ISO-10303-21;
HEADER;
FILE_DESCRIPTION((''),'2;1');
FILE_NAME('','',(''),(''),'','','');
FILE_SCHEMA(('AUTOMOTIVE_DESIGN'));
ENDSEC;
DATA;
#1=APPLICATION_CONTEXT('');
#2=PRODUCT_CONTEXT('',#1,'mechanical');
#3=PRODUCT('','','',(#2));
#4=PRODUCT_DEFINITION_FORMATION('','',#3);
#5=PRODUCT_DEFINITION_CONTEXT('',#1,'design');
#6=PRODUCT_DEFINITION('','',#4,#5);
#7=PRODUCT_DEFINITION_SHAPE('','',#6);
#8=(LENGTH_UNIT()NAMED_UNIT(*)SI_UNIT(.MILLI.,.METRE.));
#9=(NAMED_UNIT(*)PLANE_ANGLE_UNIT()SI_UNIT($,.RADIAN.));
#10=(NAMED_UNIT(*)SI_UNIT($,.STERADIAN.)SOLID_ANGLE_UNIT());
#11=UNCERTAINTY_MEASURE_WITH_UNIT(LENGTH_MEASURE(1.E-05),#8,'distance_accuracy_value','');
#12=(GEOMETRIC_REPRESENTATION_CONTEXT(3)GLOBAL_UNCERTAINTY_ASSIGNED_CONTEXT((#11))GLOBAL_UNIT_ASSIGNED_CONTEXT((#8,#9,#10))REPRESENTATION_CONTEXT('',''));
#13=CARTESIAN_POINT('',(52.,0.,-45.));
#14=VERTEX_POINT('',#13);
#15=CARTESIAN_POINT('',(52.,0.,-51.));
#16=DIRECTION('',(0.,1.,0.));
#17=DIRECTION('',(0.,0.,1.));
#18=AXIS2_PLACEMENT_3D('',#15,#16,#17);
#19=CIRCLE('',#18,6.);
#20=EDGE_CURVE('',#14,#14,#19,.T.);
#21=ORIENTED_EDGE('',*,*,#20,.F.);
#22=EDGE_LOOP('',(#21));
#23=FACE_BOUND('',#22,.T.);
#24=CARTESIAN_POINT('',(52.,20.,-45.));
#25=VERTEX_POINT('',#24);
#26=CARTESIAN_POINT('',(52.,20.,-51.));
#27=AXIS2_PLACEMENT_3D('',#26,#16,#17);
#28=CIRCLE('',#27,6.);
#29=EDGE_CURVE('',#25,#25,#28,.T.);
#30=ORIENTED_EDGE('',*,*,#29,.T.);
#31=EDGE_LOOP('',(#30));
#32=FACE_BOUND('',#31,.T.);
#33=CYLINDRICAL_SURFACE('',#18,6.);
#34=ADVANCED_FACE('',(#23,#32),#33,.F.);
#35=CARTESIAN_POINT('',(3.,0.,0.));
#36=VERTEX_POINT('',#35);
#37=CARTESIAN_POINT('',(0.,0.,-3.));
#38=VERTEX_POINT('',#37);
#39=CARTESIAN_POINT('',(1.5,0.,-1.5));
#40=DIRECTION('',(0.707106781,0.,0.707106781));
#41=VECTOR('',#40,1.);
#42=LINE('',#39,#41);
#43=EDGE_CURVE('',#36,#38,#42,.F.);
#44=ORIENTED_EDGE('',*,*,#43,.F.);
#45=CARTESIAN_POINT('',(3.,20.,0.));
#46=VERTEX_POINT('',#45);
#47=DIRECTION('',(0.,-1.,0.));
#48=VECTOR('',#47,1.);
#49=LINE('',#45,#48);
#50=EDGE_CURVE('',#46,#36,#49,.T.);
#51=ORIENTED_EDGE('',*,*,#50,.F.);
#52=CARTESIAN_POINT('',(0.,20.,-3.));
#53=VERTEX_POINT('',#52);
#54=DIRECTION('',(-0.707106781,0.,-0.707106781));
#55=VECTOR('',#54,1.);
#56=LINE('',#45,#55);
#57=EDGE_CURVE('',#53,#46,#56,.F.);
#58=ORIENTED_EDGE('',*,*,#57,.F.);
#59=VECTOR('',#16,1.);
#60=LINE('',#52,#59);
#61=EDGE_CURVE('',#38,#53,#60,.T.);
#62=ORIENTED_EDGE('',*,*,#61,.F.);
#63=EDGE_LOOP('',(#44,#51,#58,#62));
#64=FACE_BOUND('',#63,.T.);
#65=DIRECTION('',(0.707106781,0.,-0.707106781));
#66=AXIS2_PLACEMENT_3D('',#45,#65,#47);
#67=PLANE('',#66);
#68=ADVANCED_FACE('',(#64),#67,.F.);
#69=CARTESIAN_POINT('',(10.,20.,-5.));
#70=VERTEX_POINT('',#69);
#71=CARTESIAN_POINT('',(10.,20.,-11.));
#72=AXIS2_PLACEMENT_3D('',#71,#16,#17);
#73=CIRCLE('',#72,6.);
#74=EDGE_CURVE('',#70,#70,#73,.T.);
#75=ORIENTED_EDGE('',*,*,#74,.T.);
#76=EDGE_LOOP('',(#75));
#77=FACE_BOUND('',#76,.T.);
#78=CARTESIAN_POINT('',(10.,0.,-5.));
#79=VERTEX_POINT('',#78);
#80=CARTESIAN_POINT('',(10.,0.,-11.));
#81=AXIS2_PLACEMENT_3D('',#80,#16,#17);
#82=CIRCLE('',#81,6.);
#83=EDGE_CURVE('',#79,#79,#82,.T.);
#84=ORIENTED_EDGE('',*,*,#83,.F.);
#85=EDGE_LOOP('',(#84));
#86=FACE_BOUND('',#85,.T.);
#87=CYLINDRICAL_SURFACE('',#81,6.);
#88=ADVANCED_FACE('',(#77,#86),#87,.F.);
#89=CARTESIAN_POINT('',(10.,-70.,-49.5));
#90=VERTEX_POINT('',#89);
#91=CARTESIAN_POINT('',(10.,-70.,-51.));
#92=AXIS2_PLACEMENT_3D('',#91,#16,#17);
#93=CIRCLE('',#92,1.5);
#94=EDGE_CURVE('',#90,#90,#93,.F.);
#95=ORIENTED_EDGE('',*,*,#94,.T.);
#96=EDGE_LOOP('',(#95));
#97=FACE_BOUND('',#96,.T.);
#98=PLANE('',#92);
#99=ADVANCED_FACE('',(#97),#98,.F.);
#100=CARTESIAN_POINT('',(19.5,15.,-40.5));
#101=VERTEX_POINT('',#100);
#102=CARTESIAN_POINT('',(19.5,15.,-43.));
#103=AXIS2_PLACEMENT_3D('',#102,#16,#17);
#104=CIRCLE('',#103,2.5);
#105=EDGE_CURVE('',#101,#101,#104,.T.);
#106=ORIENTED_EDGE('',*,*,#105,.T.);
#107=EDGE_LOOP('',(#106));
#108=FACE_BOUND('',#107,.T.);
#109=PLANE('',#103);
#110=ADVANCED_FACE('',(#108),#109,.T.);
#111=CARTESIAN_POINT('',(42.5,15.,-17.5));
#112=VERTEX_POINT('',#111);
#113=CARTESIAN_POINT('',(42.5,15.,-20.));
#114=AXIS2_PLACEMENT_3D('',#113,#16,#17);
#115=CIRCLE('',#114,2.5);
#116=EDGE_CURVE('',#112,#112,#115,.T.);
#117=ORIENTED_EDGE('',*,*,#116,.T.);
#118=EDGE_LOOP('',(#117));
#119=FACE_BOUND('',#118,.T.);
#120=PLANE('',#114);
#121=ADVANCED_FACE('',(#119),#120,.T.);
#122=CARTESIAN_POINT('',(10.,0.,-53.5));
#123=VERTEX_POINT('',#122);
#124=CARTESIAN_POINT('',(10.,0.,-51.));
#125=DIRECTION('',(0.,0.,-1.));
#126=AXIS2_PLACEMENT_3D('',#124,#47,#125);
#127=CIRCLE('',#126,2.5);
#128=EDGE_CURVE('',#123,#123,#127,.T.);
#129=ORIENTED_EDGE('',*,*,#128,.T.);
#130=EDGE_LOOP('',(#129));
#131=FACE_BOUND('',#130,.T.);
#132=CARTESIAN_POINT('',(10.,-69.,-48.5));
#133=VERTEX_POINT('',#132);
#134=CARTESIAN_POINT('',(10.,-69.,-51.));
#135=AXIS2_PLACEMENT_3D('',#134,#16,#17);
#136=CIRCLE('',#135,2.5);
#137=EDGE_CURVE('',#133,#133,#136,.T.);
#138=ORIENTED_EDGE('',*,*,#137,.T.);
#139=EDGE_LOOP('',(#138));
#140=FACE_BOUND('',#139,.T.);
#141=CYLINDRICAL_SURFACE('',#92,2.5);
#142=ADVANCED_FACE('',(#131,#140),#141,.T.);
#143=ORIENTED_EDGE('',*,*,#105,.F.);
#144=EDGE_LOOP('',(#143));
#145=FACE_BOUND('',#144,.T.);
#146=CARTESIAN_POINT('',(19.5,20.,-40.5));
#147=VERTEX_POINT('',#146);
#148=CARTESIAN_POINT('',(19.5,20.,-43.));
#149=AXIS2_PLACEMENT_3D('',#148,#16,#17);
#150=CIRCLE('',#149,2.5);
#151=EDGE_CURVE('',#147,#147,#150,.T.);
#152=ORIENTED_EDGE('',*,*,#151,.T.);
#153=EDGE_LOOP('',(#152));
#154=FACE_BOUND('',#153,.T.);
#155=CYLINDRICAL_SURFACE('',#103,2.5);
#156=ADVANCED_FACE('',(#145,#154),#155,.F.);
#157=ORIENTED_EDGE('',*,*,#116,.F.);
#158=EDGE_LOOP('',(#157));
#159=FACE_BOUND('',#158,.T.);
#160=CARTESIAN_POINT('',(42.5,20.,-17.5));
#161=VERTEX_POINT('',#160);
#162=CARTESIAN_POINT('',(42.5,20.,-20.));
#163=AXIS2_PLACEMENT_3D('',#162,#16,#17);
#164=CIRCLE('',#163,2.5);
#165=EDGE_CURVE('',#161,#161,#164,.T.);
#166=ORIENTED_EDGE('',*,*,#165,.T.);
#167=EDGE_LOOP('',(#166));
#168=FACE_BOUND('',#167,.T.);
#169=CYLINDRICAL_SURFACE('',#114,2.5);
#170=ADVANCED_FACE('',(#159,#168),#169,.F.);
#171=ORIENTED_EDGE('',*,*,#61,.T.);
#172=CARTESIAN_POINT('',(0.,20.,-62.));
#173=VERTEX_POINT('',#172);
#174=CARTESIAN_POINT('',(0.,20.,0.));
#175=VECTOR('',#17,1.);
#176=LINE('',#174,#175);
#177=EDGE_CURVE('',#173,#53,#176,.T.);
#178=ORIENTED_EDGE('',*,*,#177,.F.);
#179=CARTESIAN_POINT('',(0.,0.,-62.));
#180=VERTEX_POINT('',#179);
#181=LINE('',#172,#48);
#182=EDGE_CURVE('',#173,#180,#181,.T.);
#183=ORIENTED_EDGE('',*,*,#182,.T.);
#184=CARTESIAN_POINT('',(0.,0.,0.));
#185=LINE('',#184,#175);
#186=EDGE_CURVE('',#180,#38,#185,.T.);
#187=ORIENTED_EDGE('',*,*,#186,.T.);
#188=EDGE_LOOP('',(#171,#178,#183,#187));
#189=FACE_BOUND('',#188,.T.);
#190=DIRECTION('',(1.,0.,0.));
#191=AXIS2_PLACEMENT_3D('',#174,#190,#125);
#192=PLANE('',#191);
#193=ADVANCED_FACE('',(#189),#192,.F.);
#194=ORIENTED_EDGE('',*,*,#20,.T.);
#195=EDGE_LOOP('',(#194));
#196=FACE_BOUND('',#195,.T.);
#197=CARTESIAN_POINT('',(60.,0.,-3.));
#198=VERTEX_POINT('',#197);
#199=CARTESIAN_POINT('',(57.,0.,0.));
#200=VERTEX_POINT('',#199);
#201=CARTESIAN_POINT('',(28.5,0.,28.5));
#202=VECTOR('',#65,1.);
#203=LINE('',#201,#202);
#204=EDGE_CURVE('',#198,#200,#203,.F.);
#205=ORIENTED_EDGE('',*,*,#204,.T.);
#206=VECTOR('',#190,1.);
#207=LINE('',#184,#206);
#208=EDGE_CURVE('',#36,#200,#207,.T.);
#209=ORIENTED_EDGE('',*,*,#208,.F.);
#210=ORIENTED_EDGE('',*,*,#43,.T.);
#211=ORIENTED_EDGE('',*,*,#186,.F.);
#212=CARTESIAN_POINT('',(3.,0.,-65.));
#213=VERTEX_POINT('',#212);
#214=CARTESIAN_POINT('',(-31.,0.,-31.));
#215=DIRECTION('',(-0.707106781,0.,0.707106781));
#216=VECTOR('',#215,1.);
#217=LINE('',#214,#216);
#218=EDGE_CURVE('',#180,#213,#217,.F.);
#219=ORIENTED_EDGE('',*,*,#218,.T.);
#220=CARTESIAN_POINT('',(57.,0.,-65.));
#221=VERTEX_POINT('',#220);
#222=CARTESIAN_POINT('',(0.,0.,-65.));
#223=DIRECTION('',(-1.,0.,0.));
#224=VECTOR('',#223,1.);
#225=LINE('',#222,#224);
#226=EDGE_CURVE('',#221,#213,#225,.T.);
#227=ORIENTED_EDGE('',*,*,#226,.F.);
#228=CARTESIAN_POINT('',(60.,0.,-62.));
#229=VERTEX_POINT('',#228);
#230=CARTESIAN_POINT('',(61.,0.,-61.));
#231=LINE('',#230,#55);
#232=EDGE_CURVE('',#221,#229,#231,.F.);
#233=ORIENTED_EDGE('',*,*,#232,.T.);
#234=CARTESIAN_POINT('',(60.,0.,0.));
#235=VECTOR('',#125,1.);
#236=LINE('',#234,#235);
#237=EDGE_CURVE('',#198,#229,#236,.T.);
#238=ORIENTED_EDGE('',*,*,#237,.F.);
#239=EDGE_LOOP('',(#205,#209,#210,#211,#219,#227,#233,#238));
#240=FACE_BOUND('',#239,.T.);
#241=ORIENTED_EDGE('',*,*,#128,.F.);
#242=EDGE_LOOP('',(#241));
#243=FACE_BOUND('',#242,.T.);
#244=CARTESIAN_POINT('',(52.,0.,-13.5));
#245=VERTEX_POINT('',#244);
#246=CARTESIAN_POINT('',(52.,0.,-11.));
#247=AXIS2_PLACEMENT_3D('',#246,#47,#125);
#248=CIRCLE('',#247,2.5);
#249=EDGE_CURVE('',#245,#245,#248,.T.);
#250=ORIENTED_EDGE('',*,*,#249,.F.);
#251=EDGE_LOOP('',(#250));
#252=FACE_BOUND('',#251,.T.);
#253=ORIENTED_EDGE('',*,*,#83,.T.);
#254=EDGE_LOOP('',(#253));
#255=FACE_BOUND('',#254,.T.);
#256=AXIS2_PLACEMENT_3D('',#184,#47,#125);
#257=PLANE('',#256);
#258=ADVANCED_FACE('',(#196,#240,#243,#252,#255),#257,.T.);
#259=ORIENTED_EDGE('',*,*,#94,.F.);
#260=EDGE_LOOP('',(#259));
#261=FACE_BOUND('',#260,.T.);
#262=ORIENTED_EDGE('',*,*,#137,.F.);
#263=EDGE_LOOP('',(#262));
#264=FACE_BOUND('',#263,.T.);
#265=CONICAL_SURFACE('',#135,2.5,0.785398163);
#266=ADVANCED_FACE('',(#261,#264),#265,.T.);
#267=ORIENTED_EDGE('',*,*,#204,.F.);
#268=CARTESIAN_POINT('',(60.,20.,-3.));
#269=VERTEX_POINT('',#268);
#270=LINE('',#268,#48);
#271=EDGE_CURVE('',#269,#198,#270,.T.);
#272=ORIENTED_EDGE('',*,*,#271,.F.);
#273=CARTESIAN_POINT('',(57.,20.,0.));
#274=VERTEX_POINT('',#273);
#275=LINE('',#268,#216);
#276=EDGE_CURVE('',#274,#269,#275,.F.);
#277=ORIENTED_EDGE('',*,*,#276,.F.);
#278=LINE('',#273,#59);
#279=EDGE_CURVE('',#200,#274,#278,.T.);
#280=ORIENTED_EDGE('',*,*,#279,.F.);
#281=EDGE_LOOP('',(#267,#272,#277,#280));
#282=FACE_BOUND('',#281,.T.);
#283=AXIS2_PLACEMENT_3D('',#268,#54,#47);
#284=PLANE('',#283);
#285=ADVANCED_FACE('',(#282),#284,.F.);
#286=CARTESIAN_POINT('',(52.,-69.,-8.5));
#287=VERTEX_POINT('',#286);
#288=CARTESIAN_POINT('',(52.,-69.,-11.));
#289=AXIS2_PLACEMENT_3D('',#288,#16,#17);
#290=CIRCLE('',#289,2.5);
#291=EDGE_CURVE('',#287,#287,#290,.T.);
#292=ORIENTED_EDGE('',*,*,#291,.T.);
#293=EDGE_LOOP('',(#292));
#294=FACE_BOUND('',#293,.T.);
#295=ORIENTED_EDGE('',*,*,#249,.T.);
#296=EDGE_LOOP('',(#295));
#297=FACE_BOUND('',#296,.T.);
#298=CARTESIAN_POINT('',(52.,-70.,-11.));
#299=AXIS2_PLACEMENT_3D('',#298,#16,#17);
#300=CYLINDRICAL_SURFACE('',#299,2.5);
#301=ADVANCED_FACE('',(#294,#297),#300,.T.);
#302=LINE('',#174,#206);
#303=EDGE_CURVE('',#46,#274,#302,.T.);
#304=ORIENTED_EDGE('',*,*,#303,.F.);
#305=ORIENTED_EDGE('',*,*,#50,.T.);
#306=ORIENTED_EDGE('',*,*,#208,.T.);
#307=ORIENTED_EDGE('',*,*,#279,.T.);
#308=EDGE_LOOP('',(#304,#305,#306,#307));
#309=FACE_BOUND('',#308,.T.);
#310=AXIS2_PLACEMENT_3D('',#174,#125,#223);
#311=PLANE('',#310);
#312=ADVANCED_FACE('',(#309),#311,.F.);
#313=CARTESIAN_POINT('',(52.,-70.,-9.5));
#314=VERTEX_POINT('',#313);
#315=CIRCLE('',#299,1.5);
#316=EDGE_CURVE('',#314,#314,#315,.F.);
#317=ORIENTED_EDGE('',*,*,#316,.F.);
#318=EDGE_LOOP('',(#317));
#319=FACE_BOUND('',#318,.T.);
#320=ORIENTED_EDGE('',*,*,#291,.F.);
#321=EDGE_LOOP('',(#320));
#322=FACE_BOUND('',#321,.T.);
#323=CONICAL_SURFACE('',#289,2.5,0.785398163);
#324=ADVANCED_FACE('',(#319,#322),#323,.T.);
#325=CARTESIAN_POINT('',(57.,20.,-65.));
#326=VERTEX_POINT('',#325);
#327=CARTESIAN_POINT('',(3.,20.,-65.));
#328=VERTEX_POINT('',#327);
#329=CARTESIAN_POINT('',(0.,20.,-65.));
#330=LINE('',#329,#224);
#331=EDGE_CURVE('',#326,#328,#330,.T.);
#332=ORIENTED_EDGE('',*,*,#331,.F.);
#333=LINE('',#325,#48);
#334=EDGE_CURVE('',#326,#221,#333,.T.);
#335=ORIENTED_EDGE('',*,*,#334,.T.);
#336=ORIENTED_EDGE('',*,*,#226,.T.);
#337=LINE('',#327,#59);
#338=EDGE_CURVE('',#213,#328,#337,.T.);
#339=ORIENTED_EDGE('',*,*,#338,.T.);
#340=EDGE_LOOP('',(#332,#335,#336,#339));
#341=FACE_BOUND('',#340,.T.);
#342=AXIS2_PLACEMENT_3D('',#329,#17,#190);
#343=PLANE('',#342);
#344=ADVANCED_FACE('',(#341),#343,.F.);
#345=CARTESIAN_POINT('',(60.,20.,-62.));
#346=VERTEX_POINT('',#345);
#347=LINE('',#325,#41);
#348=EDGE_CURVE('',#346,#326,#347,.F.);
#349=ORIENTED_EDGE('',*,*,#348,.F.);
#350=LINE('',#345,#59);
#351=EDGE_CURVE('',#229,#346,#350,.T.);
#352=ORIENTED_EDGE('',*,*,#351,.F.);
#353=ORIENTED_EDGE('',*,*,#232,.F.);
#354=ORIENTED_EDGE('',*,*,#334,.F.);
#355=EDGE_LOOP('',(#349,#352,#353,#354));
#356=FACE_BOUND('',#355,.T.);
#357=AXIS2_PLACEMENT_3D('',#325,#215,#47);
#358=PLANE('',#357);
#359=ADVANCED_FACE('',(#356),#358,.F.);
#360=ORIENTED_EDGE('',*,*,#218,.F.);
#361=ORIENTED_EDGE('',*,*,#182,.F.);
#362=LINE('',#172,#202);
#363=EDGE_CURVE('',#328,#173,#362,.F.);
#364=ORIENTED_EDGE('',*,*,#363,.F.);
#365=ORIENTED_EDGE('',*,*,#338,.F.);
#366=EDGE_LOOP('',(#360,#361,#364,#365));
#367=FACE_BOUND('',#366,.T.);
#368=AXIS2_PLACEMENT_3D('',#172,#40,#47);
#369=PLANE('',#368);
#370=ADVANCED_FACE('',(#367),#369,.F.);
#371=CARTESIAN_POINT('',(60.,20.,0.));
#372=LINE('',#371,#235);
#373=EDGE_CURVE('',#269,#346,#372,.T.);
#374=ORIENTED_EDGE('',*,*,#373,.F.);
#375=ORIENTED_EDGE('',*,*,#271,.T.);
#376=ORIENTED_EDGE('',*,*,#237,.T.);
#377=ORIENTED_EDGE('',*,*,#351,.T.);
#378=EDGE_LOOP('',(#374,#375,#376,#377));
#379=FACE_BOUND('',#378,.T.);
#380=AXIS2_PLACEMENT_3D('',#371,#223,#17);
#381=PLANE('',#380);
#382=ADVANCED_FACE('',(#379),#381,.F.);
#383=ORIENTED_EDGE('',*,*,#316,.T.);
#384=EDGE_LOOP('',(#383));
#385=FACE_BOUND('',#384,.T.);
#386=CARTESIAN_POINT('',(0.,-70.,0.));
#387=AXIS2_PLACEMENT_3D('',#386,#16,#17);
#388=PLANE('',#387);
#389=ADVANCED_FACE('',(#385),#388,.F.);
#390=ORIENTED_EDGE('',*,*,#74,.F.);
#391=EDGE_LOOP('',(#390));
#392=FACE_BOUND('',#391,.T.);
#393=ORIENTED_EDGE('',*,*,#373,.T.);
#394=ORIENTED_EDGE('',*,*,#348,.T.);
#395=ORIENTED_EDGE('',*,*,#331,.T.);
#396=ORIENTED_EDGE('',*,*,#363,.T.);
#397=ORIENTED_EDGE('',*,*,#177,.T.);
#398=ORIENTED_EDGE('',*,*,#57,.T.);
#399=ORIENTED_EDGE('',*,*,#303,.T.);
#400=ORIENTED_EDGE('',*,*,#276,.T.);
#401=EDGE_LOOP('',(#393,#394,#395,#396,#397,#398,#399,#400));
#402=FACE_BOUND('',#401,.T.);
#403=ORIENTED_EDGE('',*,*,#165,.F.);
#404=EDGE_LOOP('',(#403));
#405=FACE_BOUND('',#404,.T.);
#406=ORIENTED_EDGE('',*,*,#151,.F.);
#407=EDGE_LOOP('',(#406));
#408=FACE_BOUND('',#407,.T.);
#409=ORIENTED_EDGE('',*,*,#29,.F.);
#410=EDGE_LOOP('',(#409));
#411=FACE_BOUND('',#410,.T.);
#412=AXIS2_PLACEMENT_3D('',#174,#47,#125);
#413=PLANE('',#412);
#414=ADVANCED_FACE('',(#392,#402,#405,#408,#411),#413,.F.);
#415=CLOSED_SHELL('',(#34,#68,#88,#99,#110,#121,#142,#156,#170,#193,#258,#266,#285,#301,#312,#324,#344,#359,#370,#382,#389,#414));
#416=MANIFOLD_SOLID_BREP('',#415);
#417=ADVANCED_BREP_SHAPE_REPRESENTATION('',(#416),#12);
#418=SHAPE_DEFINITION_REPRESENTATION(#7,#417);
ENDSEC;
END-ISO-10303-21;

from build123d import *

# Parameters (mm, degrees)
SKETCH1_W           = 60
SKETCH1_H           = 65
BOSS_EXTRUDE1_DEPTH = 20
SKETCH2_R           = 6
CUT_EXTRUDE1_DEPTH  = 21
SKETCH2_3_R         = 2.5
CUT_EXTRUDE2_DEPTH  = 5
SKETCH2_4_R         = 2.5
BOSS_EXTRUDE2_DEPTH = 90
CHAMFER1_SIZE       = 1
CHAMFER2_SIZE       = 3


with BuildPart() as part:
    # Sketch1 → Boss-Extrude1 (new body)
    with BuildSketch(Plane(origin=(0, 0, 0), x_dir=(1, 0, 0), z_dir=(0, 1, 0))):
        with Locations((30, 32.5)):
            Rectangle(SKETCH1_W, SKETCH1_H)
    extrude(amount=BOSS_EXTRUDE1_DEPTH)

    # Sketch2 → Cut-Extrude1 (cut, through all)
    with BuildSketch(Plane(origin=(0, 20, 0), x_dir=(1, 0, 0), z_dir=(0, 1, 0))):
        with Locations((52, 51)):
            Circle(SKETCH2_R)
        with Locations((10, 11)):
            Circle(SKETCH2_R)
    extrude(amount=-CUT_EXTRUDE1_DEPTH, mode=Mode.SUBTRACT)

    # Sketch2<3> → Cut-Extrude2 (cut)
    with BuildSketch(Plane(origin=(0, 20, 0), x_dir=(1, 0, 0), z_dir=(0, 1, 0))):
        with Locations((19.5, 43)):
            Circle(SKETCH2_3_R)
        with Locations((42.5, 20)):
            Circle(SKETCH2_3_R)
    extrude(amount=-CUT_EXTRUDE2_DEPTH, mode=Mode.SUBTRACT)

    # Sketch2<4> → Boss-Extrude2 (add)
    with BuildSketch(Plane(origin=(0, 20, 0), x_dir=(1, 0, 0), z_dir=(0, 1, 0))):
        with Locations((52, 11)):
            Circle(SKETCH2_4_R)
        with Locations((10, 51)):
            Circle(SKETCH2_4_R)
    extrude(amount=-BOSS_EXTRUDE2_DEPTH)

    # Chamfer1
    chamfer1_edges = [part.edges().sort_by_distance(p)[0] for p in [
        (49.5, -70, -11),
        (7.5, -70, -51),
    ]]
    chamfer(chamfer1_edges, length=CHAMFER1_SIZE)

    # Chamfer2
    chamfer2_edges = [part.edges().sort_by_distance(p)[0] for p in [
        (0, 10, -65),
        (60, 10, -65),
        (60, 10, 0),
        (0, 10, 0),
    ]]
    chamfer(chamfer2_edges, length=CHAMFER2_SIZE)


solid = part.part
